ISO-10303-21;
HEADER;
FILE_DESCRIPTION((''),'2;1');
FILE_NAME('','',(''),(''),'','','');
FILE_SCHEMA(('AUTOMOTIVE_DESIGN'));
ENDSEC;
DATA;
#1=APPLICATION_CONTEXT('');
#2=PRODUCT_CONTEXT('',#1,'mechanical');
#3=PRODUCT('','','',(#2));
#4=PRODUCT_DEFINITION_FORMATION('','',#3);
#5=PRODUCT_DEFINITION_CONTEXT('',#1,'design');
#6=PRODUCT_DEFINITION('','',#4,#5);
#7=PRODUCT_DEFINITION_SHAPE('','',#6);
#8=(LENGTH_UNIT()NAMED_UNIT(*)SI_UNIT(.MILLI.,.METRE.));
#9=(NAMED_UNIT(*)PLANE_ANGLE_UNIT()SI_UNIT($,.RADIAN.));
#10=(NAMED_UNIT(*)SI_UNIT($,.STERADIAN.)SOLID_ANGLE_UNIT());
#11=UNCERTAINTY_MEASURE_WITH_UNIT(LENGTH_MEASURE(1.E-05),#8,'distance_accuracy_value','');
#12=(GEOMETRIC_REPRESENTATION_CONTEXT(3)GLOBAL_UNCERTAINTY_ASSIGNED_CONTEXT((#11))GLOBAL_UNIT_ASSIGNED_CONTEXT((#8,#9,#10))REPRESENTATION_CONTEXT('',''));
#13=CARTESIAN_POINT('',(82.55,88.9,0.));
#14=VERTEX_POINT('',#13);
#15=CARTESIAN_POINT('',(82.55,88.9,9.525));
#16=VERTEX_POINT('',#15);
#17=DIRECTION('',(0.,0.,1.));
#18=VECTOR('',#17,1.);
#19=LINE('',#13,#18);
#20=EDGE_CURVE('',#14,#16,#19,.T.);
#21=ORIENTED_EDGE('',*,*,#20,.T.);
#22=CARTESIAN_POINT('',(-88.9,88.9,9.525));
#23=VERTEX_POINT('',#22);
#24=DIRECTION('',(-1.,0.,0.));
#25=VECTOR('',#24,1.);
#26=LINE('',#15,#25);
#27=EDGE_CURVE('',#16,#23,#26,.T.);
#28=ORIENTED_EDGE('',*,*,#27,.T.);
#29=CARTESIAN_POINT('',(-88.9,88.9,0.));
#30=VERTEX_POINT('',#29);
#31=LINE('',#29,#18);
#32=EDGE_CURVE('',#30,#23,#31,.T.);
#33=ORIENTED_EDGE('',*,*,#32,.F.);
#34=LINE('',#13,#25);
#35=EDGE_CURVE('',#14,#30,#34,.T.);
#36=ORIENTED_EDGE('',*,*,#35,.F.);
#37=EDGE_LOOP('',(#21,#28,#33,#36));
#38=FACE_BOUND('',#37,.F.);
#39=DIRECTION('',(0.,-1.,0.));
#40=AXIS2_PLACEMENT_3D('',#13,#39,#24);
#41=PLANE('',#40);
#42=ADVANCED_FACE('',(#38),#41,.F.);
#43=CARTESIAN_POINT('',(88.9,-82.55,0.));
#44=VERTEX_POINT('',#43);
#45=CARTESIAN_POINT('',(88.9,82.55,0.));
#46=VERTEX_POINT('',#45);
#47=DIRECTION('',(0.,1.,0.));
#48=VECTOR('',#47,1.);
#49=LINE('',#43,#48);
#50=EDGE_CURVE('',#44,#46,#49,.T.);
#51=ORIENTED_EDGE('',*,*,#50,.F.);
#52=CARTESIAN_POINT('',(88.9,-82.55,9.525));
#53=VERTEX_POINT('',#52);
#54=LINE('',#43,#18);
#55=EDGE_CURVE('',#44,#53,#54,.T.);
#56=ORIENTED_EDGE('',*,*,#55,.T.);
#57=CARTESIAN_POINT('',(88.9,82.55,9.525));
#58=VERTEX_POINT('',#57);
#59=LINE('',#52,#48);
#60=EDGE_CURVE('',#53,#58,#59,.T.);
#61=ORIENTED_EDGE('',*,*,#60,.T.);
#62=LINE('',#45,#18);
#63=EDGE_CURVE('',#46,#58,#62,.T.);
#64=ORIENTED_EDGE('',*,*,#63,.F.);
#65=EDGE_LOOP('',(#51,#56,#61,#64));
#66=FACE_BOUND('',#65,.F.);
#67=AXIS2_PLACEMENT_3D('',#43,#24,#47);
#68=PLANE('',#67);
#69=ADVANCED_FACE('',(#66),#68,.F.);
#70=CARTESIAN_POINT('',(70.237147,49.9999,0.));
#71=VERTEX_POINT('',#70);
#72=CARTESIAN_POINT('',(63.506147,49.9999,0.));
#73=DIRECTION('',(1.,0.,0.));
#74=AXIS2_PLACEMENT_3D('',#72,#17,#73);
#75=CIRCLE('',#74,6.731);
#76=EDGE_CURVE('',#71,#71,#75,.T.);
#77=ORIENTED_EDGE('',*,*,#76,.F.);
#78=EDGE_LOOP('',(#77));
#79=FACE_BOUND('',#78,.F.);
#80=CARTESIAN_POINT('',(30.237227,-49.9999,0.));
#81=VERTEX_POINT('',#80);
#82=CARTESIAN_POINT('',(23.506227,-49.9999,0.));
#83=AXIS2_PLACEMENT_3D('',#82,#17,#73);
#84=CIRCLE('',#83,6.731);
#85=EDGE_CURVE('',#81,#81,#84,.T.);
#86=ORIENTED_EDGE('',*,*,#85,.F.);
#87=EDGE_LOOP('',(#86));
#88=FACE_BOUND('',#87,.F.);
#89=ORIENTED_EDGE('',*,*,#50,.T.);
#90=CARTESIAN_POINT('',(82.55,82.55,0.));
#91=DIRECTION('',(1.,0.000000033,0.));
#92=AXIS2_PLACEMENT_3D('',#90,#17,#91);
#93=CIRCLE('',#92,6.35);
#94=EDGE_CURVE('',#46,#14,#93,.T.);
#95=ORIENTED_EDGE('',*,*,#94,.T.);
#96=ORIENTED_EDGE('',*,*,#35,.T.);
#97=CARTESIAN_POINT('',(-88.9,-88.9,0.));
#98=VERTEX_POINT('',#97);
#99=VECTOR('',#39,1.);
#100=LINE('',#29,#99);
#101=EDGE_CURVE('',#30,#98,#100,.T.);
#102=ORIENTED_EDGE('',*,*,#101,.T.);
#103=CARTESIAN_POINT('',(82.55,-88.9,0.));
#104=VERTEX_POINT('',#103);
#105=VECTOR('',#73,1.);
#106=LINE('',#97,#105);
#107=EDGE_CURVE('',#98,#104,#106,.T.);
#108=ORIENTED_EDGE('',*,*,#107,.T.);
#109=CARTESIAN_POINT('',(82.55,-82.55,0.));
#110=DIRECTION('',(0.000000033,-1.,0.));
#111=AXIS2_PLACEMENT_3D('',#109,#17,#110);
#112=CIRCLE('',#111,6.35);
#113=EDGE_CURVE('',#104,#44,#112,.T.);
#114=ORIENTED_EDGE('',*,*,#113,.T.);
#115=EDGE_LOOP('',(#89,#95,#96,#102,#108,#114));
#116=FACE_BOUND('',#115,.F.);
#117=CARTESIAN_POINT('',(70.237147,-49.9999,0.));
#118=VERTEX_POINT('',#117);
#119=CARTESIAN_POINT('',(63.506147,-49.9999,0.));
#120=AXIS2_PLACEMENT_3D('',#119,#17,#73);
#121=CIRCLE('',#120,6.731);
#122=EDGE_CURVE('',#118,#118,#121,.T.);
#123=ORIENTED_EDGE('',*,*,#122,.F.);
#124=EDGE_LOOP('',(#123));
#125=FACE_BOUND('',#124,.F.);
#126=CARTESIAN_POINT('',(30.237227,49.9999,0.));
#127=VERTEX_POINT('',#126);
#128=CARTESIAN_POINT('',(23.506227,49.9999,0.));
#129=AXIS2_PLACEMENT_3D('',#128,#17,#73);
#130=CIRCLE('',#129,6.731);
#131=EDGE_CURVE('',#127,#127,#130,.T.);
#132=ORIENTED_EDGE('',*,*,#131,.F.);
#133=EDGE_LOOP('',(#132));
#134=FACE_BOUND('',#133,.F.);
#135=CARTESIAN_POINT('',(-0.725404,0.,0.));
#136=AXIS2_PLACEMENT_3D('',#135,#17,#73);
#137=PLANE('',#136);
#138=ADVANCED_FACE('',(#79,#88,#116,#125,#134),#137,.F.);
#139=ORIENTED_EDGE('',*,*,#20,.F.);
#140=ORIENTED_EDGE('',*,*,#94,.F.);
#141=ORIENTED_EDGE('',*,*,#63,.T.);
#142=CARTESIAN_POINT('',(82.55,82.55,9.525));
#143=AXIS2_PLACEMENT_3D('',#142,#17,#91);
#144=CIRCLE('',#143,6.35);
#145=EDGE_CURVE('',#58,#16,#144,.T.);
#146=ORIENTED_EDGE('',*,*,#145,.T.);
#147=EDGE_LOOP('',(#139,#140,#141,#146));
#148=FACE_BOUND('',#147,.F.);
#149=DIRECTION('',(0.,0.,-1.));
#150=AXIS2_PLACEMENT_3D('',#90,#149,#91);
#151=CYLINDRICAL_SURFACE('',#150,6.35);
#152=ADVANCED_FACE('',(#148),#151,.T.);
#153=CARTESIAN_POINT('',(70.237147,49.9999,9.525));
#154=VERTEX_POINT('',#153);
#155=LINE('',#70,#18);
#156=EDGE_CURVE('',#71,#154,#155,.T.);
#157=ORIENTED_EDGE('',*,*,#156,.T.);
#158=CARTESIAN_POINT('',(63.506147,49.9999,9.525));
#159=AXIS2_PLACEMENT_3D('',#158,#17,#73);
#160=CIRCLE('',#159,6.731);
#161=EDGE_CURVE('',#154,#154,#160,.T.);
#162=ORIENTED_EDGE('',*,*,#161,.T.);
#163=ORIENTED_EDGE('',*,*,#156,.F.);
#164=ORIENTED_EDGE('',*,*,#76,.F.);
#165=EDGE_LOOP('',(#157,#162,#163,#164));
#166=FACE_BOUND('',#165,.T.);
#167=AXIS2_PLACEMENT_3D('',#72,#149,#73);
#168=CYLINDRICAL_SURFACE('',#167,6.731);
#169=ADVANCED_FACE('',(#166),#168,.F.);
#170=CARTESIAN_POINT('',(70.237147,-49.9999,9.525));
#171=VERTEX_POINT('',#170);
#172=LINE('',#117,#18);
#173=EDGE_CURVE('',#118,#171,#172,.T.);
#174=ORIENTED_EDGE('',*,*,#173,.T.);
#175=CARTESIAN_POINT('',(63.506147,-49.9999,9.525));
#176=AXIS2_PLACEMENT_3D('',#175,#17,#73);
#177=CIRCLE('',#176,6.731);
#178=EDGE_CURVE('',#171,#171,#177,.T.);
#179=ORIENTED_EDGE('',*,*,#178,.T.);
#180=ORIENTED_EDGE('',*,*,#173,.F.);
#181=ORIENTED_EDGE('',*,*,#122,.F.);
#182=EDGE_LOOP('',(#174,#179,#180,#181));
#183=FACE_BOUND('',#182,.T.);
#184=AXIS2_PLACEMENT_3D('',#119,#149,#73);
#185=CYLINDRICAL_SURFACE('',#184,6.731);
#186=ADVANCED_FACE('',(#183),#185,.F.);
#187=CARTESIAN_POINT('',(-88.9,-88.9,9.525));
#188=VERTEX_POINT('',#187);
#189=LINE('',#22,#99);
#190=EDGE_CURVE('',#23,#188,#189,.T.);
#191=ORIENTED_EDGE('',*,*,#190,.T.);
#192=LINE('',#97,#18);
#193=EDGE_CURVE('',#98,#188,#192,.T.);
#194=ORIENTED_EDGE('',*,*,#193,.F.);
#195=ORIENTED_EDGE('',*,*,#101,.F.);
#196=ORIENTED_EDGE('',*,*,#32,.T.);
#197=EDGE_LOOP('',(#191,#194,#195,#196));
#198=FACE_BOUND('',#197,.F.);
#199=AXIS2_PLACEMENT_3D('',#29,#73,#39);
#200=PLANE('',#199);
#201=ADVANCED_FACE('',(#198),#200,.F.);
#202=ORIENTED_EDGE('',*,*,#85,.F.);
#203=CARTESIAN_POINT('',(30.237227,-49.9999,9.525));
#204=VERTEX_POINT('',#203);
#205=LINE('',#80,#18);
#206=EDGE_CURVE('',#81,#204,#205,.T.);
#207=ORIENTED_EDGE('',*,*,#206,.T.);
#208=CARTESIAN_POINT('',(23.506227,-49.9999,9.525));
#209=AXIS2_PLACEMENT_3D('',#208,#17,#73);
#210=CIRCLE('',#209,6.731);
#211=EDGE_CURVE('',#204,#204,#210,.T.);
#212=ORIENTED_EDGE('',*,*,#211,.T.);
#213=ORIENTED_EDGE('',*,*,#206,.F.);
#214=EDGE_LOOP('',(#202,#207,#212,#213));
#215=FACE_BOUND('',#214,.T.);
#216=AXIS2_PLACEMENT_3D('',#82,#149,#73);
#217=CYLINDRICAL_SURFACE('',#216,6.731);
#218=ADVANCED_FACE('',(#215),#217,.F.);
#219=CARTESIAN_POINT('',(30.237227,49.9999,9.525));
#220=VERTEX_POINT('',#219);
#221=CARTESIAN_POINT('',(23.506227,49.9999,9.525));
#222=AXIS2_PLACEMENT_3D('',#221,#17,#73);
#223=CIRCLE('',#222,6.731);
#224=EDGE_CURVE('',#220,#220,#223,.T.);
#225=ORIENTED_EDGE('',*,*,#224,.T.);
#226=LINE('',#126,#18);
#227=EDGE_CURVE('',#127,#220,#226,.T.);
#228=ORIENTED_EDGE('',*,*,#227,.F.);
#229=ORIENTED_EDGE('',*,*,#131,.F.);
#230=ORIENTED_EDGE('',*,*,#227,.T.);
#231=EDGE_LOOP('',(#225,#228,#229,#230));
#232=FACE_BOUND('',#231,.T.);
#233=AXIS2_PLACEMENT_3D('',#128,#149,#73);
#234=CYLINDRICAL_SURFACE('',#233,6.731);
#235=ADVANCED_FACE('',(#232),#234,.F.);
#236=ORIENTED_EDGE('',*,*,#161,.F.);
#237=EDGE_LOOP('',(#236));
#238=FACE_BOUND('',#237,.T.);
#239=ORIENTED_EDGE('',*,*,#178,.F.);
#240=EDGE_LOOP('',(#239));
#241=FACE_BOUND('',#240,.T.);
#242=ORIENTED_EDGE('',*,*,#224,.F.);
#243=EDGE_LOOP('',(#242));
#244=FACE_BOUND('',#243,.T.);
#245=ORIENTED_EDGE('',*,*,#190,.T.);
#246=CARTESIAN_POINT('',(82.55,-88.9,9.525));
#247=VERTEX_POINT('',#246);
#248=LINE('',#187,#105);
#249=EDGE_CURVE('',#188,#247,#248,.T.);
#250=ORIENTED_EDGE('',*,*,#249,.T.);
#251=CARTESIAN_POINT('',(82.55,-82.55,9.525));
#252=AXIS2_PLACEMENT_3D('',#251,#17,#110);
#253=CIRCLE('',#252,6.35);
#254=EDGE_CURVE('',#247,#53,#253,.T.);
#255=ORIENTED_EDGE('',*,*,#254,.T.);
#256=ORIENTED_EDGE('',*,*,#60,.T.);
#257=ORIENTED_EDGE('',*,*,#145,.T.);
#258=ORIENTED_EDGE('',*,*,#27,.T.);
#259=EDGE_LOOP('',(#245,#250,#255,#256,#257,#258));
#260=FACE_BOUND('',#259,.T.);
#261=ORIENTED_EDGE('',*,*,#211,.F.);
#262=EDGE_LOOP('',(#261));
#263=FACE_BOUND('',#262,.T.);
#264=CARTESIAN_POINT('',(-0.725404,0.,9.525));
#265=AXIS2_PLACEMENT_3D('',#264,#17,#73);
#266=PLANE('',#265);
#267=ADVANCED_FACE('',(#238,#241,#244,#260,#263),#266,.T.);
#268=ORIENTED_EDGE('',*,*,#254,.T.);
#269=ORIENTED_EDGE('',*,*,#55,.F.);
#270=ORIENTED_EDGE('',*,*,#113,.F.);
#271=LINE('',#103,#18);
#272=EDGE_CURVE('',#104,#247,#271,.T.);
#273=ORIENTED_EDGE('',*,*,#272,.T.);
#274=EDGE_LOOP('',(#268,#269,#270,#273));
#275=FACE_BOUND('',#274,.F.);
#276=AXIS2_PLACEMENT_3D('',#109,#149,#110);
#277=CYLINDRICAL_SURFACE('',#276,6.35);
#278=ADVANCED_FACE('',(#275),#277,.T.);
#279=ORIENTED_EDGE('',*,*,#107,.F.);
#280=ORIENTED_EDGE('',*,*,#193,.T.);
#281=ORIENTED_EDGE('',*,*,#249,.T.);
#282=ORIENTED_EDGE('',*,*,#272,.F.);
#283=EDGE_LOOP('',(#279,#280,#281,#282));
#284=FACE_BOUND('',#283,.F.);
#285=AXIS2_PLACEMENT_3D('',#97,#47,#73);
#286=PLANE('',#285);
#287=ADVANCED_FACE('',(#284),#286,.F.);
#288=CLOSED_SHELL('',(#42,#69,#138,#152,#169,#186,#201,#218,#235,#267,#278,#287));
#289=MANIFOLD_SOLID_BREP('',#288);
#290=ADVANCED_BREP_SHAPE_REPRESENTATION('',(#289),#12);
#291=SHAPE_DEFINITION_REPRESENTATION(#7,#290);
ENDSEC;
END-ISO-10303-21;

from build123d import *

# Parameters (mm, degrees)
F0_R     = 6.731
F1_DEPTH = 9.525


with BuildPart() as f1:
    # F0 (on Top) → F1 (new body)
    with BuildSketch(Plane.XY):
        with BuildLine():
            ThreePointArc((82.55, -88.9), (87.040128, -87.040128), (88.9, -82.55))
            Line((88.9, -82.55), (88.9, 82.55))
            ThreePointArc((88.9, 82.55), (87.040128, 87.040128), (82.55, 88.9))
            Line((82.55, 88.9), (-88.9, 88.9))
            Line((-88.9, 88.9), (-88.9, -88.9))
            Line((-88.9, -88.9), (82.55, -88.9))
        make_face()
        with Locations((23.506227, -49.9999)):
            Circle(F0_R, mode=Mode.SUBTRACT)
        with Locations((63.506147, -49.9999)):
            Circle(F0_R, mode=Mode.SUBTRACT)
        with Locations((23.506227, 49.9999)):
            Circle(F0_R, mode=Mode.SUBTRACT)
        with Locations((63.506147, 49.9999)):
            Circle(F0_R, mode=Mode.SUBTRACT)
    extrude(amount=F1_DEPTH)


solid = f1.part
